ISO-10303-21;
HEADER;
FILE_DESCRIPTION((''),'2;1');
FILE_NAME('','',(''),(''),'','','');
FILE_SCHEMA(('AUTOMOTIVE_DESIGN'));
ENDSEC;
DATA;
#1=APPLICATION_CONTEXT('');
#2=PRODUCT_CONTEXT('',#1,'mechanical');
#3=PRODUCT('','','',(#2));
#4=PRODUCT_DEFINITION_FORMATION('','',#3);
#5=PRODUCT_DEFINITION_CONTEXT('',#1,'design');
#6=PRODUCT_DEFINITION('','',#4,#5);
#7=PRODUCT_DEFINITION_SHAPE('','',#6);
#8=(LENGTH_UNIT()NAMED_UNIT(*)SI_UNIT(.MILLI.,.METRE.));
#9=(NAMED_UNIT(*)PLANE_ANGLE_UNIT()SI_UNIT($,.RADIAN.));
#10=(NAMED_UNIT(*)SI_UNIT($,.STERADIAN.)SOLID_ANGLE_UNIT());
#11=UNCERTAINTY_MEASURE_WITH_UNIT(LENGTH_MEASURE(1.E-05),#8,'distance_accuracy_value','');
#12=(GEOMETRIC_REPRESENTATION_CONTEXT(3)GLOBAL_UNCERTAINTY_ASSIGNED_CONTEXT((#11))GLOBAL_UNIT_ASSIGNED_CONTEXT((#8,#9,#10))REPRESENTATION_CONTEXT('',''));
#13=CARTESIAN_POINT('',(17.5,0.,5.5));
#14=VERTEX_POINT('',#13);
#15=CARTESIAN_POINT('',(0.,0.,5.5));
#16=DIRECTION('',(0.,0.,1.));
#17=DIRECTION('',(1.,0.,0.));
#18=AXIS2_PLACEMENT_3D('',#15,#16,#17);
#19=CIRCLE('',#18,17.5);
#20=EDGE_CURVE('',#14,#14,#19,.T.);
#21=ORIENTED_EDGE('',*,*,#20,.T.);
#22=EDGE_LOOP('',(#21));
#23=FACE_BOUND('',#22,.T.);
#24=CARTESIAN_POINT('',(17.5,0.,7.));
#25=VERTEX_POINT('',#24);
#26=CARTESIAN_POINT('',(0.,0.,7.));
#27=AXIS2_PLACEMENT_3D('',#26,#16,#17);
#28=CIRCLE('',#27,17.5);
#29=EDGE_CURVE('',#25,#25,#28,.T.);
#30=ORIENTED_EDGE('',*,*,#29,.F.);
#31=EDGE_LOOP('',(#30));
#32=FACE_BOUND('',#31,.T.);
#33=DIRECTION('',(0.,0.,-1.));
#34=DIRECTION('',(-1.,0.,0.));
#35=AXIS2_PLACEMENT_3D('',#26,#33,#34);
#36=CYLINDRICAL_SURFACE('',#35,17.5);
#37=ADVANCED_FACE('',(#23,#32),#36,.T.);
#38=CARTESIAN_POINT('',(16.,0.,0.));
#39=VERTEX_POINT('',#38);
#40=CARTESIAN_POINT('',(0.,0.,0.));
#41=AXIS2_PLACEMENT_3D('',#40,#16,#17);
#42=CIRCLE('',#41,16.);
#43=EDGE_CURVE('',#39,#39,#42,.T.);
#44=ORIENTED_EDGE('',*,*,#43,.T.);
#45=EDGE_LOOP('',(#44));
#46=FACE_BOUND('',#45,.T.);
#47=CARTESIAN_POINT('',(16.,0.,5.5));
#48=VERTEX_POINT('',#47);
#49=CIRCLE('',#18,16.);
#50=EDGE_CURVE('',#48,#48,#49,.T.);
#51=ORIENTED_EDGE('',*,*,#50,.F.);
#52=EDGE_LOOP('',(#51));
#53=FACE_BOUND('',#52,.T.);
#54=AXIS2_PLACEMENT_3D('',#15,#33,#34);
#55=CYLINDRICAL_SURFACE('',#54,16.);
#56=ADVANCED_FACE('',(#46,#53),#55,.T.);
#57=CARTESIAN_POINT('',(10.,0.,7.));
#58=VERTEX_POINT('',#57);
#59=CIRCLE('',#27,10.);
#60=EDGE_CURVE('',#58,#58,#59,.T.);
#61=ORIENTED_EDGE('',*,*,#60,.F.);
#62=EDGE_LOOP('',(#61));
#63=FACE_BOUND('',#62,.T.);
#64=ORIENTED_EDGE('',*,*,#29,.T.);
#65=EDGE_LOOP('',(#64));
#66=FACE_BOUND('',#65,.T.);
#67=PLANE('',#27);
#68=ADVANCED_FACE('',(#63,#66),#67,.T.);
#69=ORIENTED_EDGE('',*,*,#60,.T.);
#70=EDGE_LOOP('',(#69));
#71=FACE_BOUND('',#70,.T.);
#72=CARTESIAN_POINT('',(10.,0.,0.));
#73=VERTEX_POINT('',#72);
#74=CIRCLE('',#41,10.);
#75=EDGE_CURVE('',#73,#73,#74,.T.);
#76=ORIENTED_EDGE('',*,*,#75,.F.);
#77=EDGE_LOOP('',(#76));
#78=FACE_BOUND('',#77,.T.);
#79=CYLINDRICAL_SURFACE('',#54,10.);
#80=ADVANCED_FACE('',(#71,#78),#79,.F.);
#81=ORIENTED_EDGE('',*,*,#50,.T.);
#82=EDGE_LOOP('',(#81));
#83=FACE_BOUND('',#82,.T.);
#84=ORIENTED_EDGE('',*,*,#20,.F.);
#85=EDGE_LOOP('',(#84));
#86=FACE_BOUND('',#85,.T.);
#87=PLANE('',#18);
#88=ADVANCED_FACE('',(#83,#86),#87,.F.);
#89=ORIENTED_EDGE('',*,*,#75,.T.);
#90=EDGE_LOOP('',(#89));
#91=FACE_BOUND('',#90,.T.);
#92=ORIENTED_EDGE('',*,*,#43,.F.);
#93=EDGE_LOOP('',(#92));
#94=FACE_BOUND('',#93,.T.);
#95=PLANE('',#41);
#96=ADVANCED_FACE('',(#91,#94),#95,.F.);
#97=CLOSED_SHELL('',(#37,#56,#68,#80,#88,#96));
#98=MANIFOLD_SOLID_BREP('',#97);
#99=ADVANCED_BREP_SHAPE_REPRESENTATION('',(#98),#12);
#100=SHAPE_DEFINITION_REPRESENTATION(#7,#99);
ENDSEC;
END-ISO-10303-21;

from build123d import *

# Parameters (mm, degrees)
SKETCH_1_R      = 16
SKETCH_1_R_2    = 10
EXTRUDE_1_DEPTH = 5.5
SKETCH_2_R      = 17.5
SKETCH_2_R_2    = 10
EXTRUDE_2_DEPTH = 1.5


with BuildPart() as part:
    # 草图1 → 凸台-拉伸1 (new body)
    with BuildSketch(Plane.XY):
        Circle(SKETCH_1_R)
        Circle(SKETCH_1_R_2, mode=Mode.SUBTRACT)
    extrude(amount=EXTRUDE_1_DEPTH)

    # 草图2 → 凸台-拉伸2 (add)
    with BuildSketch(Plane.XY.offset(5.5)):
        Circle(SKETCH_2_R)
        Circle(SKETCH_2_R_2, mode=Mode.SUBTRACT)
    extrude(amount=EXTRUDE_2_DEPTH)


solid = part.part
